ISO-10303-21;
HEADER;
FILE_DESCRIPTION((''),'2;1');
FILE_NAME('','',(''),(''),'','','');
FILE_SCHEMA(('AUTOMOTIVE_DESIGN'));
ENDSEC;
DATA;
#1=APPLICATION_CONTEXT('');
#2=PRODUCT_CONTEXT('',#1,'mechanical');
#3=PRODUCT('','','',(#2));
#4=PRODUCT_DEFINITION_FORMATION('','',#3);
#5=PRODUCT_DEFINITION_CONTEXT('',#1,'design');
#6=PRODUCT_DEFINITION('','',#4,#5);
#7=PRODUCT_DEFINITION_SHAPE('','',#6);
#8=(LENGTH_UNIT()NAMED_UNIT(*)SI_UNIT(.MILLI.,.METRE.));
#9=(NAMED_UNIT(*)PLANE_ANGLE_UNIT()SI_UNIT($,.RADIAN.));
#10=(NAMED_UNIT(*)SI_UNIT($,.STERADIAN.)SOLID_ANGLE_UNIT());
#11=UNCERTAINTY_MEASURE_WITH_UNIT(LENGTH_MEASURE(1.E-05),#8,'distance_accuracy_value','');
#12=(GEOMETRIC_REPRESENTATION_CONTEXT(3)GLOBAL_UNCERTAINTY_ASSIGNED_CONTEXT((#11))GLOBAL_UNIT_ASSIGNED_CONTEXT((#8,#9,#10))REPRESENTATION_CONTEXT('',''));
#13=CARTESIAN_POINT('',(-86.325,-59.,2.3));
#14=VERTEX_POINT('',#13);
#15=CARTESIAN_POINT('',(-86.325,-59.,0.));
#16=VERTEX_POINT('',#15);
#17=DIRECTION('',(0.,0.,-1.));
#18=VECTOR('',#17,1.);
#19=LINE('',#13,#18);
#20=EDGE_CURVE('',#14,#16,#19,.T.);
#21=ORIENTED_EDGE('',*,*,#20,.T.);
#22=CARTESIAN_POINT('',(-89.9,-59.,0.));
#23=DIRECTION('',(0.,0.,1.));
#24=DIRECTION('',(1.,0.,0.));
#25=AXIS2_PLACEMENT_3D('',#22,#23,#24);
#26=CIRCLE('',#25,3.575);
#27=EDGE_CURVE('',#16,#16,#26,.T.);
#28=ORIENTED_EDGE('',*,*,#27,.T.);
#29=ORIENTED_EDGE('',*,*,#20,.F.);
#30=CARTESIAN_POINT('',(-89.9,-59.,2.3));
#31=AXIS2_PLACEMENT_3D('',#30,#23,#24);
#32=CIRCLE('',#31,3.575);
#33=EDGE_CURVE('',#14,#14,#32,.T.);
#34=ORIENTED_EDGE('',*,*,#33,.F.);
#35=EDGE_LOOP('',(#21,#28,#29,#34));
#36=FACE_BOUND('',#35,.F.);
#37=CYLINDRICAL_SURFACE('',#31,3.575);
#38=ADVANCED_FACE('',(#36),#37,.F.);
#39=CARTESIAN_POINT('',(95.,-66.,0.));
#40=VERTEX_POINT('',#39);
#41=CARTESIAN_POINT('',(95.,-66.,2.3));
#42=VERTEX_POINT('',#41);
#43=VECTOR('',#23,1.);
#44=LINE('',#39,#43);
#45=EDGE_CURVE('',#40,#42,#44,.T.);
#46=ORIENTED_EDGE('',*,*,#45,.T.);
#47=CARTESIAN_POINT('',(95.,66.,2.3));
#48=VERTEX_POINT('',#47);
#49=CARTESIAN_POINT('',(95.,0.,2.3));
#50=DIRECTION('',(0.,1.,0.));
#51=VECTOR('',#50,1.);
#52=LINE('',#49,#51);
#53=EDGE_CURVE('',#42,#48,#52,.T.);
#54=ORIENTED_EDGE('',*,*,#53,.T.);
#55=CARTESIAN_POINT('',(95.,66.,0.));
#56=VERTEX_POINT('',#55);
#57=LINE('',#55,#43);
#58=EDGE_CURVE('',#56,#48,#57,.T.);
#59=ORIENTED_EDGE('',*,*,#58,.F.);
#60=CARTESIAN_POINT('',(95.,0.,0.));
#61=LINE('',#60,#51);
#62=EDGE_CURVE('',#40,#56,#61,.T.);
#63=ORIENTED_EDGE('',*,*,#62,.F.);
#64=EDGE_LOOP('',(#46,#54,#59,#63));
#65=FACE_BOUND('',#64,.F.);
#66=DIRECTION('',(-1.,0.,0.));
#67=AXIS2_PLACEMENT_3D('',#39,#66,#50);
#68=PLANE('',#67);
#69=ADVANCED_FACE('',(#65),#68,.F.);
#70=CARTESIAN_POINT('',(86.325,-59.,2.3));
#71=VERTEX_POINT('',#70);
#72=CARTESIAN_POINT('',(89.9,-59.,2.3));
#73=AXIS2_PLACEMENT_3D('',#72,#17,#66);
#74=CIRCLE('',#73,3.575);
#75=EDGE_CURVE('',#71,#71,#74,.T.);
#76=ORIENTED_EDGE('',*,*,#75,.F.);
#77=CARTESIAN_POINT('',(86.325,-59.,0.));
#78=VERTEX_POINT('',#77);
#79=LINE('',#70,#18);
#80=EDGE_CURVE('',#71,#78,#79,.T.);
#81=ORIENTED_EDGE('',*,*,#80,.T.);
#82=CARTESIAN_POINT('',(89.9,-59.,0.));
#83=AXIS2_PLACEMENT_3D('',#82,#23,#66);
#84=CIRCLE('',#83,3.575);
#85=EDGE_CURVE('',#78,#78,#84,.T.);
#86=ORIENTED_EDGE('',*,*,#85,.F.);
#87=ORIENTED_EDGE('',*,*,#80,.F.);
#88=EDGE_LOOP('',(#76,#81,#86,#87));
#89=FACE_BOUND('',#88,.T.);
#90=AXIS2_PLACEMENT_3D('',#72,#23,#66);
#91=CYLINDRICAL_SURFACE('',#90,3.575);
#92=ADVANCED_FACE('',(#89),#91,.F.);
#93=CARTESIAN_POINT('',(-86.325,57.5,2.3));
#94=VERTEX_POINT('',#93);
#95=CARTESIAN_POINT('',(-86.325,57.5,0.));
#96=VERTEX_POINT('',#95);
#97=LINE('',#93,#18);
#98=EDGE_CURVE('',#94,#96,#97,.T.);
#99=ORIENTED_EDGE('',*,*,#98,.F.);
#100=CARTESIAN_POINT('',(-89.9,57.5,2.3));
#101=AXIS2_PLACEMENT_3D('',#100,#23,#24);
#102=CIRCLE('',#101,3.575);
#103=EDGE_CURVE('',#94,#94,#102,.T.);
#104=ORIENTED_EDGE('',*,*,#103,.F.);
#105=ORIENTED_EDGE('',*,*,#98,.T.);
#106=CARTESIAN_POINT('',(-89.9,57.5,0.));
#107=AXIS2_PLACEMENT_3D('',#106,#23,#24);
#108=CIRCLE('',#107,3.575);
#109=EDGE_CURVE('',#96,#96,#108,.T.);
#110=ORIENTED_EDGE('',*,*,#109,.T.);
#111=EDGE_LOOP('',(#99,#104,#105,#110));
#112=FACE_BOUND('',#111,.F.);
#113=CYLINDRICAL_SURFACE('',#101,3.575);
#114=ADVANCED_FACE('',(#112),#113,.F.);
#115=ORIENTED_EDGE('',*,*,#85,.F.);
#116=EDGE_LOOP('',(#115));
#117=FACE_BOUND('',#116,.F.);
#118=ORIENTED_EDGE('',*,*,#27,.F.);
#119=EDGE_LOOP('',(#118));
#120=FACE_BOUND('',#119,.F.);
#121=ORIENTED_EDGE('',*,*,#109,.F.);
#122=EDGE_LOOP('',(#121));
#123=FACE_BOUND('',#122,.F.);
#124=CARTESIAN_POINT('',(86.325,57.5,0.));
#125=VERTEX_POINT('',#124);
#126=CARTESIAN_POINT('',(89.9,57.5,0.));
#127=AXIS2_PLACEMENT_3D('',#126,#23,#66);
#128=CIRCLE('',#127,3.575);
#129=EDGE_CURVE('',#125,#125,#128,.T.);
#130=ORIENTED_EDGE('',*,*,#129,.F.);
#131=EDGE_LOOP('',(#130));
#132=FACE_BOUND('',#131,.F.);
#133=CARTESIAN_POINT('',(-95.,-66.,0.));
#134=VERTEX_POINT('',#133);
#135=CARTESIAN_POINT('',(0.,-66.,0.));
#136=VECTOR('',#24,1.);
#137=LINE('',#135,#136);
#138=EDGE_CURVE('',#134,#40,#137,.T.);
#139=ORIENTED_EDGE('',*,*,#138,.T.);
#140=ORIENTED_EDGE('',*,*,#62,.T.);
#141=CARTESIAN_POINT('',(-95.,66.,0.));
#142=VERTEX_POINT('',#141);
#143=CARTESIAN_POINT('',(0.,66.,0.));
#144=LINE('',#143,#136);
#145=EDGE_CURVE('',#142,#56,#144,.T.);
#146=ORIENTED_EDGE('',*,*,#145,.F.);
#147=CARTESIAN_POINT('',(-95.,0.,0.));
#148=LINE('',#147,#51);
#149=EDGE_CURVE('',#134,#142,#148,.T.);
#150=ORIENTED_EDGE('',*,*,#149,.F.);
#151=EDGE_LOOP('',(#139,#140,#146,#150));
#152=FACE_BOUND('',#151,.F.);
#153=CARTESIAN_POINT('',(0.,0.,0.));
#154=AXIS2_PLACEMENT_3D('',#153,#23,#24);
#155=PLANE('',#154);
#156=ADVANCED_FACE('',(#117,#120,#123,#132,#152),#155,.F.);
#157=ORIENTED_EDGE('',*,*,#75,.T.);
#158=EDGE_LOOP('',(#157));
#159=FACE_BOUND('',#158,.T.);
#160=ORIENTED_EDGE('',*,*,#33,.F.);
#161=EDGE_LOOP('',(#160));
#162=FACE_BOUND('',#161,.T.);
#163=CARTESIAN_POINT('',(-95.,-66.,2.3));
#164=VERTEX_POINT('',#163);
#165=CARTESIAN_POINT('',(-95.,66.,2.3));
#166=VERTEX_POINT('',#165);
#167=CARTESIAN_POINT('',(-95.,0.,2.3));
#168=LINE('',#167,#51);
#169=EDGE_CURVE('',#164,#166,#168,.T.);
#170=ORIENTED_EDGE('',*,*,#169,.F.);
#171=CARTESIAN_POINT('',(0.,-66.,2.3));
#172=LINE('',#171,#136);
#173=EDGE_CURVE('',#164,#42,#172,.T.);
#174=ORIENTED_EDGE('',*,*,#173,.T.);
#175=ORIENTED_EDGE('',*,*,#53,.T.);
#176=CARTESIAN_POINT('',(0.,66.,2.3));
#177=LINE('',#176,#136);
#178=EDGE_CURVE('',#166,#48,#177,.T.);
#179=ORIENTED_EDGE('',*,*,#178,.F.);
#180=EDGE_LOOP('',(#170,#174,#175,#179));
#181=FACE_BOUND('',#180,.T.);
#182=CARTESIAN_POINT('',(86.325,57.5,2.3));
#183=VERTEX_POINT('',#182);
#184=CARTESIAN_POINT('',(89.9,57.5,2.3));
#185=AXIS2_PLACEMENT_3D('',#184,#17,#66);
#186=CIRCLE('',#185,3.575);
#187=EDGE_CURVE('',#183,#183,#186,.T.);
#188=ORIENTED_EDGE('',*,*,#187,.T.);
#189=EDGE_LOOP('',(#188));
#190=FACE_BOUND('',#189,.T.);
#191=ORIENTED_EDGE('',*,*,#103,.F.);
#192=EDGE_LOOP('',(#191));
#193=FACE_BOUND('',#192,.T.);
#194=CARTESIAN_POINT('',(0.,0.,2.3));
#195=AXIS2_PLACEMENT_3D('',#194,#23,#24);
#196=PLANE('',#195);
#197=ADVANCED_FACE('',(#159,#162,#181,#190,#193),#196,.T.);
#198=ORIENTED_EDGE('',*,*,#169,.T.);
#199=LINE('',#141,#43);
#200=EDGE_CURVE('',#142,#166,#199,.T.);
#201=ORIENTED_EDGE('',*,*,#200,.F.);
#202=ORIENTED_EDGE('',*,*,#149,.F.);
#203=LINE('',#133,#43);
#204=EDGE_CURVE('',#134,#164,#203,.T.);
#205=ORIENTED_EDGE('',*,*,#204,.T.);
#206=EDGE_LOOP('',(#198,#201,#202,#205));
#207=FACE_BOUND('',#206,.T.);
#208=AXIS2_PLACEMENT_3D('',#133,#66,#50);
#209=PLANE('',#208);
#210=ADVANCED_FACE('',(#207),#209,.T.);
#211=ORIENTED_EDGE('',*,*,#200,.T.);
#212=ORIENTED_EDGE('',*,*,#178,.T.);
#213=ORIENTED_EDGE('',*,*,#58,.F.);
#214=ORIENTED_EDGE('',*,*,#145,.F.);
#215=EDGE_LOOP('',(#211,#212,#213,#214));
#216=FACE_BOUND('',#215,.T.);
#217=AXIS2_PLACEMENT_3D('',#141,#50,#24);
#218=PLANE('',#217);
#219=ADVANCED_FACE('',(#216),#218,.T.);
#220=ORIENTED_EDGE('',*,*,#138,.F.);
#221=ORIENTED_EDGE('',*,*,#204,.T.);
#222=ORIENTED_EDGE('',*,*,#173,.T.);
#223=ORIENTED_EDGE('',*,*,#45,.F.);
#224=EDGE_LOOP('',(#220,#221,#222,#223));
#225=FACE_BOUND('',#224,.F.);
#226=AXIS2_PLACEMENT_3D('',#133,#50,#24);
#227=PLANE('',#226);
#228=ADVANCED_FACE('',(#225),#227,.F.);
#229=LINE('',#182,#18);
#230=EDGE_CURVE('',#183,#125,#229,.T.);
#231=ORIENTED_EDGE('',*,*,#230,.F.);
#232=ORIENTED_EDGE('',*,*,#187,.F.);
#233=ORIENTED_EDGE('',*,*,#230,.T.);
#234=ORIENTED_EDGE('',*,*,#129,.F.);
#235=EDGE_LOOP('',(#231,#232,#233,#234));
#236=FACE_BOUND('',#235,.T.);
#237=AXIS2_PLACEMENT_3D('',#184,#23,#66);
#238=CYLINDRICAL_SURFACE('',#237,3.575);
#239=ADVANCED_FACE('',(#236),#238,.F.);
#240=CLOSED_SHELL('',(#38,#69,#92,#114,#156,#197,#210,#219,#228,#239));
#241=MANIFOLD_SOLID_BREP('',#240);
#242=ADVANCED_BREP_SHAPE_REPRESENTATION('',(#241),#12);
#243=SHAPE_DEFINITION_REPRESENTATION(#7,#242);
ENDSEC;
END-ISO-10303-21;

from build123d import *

# Parameters (mm, degrees)
SKETCH_W                = 190
SKETCH_H                = 132
PAD_DEPTH               = 2.3
SKETCH001_R             = 3.575
POCKET_DEPTH            = 465.028955
SKETCH001_MIRRORED_2_R  = 3.575
POCKET_MIRRORED_2_DEPTH = 465.028955
LINEARPATTERN_COUNT     = 2
LINEARPATTERN_PITCH     = 116.5


with BuildPart() as part:
    # Sketch → Pad (new body)
    with BuildSketch(Plane.XY):
        Rectangle(SKETCH_W, SKETCH_H)
    extrude(amount=PAD_DEPTH)

    # Sketch001 (on Face6 of Pad) → Pocket (cut, through all)
    with BuildSketch(Plane.XY.offset(2.3)):
        with Locations((-89.9, 57.5)):
            Circle(SKETCH001_R)
    pocket = extrude(amount=-POCKET_DEPTH, mode=Mode.SUBTRACT)

    # Sketch001 Mirrored 2 → Pocket Mirrored 2 (cut, through all)
    with BuildSketch(Plane(origin=(0, 0, 2.3), x_dir=(-1, 0, 0), z_dir=(0, 0, -1))):
        with Locations((-89.9, 57.5)):
            Circle(SKETCH001_MIRRORED_2_R)
    pocket_mirrored_2 = extrude(amount=POCKET_MIRRORED_2_DEPTH, mode=Mode.SUBTRACT)

    # LinearPattern: Pocket, Pocket Mirrored 2 ×2
    with Locations(*[(0, -i * LINEARPATTERN_PITCH, 0) for i in range(1, LINEARPATTERN_COUNT)]):
        add(pocket, mode=Mode.SUBTRACT)
        add(pocket_mirrored_2, mode=Mode.SUBTRACT)


solid = part.part
